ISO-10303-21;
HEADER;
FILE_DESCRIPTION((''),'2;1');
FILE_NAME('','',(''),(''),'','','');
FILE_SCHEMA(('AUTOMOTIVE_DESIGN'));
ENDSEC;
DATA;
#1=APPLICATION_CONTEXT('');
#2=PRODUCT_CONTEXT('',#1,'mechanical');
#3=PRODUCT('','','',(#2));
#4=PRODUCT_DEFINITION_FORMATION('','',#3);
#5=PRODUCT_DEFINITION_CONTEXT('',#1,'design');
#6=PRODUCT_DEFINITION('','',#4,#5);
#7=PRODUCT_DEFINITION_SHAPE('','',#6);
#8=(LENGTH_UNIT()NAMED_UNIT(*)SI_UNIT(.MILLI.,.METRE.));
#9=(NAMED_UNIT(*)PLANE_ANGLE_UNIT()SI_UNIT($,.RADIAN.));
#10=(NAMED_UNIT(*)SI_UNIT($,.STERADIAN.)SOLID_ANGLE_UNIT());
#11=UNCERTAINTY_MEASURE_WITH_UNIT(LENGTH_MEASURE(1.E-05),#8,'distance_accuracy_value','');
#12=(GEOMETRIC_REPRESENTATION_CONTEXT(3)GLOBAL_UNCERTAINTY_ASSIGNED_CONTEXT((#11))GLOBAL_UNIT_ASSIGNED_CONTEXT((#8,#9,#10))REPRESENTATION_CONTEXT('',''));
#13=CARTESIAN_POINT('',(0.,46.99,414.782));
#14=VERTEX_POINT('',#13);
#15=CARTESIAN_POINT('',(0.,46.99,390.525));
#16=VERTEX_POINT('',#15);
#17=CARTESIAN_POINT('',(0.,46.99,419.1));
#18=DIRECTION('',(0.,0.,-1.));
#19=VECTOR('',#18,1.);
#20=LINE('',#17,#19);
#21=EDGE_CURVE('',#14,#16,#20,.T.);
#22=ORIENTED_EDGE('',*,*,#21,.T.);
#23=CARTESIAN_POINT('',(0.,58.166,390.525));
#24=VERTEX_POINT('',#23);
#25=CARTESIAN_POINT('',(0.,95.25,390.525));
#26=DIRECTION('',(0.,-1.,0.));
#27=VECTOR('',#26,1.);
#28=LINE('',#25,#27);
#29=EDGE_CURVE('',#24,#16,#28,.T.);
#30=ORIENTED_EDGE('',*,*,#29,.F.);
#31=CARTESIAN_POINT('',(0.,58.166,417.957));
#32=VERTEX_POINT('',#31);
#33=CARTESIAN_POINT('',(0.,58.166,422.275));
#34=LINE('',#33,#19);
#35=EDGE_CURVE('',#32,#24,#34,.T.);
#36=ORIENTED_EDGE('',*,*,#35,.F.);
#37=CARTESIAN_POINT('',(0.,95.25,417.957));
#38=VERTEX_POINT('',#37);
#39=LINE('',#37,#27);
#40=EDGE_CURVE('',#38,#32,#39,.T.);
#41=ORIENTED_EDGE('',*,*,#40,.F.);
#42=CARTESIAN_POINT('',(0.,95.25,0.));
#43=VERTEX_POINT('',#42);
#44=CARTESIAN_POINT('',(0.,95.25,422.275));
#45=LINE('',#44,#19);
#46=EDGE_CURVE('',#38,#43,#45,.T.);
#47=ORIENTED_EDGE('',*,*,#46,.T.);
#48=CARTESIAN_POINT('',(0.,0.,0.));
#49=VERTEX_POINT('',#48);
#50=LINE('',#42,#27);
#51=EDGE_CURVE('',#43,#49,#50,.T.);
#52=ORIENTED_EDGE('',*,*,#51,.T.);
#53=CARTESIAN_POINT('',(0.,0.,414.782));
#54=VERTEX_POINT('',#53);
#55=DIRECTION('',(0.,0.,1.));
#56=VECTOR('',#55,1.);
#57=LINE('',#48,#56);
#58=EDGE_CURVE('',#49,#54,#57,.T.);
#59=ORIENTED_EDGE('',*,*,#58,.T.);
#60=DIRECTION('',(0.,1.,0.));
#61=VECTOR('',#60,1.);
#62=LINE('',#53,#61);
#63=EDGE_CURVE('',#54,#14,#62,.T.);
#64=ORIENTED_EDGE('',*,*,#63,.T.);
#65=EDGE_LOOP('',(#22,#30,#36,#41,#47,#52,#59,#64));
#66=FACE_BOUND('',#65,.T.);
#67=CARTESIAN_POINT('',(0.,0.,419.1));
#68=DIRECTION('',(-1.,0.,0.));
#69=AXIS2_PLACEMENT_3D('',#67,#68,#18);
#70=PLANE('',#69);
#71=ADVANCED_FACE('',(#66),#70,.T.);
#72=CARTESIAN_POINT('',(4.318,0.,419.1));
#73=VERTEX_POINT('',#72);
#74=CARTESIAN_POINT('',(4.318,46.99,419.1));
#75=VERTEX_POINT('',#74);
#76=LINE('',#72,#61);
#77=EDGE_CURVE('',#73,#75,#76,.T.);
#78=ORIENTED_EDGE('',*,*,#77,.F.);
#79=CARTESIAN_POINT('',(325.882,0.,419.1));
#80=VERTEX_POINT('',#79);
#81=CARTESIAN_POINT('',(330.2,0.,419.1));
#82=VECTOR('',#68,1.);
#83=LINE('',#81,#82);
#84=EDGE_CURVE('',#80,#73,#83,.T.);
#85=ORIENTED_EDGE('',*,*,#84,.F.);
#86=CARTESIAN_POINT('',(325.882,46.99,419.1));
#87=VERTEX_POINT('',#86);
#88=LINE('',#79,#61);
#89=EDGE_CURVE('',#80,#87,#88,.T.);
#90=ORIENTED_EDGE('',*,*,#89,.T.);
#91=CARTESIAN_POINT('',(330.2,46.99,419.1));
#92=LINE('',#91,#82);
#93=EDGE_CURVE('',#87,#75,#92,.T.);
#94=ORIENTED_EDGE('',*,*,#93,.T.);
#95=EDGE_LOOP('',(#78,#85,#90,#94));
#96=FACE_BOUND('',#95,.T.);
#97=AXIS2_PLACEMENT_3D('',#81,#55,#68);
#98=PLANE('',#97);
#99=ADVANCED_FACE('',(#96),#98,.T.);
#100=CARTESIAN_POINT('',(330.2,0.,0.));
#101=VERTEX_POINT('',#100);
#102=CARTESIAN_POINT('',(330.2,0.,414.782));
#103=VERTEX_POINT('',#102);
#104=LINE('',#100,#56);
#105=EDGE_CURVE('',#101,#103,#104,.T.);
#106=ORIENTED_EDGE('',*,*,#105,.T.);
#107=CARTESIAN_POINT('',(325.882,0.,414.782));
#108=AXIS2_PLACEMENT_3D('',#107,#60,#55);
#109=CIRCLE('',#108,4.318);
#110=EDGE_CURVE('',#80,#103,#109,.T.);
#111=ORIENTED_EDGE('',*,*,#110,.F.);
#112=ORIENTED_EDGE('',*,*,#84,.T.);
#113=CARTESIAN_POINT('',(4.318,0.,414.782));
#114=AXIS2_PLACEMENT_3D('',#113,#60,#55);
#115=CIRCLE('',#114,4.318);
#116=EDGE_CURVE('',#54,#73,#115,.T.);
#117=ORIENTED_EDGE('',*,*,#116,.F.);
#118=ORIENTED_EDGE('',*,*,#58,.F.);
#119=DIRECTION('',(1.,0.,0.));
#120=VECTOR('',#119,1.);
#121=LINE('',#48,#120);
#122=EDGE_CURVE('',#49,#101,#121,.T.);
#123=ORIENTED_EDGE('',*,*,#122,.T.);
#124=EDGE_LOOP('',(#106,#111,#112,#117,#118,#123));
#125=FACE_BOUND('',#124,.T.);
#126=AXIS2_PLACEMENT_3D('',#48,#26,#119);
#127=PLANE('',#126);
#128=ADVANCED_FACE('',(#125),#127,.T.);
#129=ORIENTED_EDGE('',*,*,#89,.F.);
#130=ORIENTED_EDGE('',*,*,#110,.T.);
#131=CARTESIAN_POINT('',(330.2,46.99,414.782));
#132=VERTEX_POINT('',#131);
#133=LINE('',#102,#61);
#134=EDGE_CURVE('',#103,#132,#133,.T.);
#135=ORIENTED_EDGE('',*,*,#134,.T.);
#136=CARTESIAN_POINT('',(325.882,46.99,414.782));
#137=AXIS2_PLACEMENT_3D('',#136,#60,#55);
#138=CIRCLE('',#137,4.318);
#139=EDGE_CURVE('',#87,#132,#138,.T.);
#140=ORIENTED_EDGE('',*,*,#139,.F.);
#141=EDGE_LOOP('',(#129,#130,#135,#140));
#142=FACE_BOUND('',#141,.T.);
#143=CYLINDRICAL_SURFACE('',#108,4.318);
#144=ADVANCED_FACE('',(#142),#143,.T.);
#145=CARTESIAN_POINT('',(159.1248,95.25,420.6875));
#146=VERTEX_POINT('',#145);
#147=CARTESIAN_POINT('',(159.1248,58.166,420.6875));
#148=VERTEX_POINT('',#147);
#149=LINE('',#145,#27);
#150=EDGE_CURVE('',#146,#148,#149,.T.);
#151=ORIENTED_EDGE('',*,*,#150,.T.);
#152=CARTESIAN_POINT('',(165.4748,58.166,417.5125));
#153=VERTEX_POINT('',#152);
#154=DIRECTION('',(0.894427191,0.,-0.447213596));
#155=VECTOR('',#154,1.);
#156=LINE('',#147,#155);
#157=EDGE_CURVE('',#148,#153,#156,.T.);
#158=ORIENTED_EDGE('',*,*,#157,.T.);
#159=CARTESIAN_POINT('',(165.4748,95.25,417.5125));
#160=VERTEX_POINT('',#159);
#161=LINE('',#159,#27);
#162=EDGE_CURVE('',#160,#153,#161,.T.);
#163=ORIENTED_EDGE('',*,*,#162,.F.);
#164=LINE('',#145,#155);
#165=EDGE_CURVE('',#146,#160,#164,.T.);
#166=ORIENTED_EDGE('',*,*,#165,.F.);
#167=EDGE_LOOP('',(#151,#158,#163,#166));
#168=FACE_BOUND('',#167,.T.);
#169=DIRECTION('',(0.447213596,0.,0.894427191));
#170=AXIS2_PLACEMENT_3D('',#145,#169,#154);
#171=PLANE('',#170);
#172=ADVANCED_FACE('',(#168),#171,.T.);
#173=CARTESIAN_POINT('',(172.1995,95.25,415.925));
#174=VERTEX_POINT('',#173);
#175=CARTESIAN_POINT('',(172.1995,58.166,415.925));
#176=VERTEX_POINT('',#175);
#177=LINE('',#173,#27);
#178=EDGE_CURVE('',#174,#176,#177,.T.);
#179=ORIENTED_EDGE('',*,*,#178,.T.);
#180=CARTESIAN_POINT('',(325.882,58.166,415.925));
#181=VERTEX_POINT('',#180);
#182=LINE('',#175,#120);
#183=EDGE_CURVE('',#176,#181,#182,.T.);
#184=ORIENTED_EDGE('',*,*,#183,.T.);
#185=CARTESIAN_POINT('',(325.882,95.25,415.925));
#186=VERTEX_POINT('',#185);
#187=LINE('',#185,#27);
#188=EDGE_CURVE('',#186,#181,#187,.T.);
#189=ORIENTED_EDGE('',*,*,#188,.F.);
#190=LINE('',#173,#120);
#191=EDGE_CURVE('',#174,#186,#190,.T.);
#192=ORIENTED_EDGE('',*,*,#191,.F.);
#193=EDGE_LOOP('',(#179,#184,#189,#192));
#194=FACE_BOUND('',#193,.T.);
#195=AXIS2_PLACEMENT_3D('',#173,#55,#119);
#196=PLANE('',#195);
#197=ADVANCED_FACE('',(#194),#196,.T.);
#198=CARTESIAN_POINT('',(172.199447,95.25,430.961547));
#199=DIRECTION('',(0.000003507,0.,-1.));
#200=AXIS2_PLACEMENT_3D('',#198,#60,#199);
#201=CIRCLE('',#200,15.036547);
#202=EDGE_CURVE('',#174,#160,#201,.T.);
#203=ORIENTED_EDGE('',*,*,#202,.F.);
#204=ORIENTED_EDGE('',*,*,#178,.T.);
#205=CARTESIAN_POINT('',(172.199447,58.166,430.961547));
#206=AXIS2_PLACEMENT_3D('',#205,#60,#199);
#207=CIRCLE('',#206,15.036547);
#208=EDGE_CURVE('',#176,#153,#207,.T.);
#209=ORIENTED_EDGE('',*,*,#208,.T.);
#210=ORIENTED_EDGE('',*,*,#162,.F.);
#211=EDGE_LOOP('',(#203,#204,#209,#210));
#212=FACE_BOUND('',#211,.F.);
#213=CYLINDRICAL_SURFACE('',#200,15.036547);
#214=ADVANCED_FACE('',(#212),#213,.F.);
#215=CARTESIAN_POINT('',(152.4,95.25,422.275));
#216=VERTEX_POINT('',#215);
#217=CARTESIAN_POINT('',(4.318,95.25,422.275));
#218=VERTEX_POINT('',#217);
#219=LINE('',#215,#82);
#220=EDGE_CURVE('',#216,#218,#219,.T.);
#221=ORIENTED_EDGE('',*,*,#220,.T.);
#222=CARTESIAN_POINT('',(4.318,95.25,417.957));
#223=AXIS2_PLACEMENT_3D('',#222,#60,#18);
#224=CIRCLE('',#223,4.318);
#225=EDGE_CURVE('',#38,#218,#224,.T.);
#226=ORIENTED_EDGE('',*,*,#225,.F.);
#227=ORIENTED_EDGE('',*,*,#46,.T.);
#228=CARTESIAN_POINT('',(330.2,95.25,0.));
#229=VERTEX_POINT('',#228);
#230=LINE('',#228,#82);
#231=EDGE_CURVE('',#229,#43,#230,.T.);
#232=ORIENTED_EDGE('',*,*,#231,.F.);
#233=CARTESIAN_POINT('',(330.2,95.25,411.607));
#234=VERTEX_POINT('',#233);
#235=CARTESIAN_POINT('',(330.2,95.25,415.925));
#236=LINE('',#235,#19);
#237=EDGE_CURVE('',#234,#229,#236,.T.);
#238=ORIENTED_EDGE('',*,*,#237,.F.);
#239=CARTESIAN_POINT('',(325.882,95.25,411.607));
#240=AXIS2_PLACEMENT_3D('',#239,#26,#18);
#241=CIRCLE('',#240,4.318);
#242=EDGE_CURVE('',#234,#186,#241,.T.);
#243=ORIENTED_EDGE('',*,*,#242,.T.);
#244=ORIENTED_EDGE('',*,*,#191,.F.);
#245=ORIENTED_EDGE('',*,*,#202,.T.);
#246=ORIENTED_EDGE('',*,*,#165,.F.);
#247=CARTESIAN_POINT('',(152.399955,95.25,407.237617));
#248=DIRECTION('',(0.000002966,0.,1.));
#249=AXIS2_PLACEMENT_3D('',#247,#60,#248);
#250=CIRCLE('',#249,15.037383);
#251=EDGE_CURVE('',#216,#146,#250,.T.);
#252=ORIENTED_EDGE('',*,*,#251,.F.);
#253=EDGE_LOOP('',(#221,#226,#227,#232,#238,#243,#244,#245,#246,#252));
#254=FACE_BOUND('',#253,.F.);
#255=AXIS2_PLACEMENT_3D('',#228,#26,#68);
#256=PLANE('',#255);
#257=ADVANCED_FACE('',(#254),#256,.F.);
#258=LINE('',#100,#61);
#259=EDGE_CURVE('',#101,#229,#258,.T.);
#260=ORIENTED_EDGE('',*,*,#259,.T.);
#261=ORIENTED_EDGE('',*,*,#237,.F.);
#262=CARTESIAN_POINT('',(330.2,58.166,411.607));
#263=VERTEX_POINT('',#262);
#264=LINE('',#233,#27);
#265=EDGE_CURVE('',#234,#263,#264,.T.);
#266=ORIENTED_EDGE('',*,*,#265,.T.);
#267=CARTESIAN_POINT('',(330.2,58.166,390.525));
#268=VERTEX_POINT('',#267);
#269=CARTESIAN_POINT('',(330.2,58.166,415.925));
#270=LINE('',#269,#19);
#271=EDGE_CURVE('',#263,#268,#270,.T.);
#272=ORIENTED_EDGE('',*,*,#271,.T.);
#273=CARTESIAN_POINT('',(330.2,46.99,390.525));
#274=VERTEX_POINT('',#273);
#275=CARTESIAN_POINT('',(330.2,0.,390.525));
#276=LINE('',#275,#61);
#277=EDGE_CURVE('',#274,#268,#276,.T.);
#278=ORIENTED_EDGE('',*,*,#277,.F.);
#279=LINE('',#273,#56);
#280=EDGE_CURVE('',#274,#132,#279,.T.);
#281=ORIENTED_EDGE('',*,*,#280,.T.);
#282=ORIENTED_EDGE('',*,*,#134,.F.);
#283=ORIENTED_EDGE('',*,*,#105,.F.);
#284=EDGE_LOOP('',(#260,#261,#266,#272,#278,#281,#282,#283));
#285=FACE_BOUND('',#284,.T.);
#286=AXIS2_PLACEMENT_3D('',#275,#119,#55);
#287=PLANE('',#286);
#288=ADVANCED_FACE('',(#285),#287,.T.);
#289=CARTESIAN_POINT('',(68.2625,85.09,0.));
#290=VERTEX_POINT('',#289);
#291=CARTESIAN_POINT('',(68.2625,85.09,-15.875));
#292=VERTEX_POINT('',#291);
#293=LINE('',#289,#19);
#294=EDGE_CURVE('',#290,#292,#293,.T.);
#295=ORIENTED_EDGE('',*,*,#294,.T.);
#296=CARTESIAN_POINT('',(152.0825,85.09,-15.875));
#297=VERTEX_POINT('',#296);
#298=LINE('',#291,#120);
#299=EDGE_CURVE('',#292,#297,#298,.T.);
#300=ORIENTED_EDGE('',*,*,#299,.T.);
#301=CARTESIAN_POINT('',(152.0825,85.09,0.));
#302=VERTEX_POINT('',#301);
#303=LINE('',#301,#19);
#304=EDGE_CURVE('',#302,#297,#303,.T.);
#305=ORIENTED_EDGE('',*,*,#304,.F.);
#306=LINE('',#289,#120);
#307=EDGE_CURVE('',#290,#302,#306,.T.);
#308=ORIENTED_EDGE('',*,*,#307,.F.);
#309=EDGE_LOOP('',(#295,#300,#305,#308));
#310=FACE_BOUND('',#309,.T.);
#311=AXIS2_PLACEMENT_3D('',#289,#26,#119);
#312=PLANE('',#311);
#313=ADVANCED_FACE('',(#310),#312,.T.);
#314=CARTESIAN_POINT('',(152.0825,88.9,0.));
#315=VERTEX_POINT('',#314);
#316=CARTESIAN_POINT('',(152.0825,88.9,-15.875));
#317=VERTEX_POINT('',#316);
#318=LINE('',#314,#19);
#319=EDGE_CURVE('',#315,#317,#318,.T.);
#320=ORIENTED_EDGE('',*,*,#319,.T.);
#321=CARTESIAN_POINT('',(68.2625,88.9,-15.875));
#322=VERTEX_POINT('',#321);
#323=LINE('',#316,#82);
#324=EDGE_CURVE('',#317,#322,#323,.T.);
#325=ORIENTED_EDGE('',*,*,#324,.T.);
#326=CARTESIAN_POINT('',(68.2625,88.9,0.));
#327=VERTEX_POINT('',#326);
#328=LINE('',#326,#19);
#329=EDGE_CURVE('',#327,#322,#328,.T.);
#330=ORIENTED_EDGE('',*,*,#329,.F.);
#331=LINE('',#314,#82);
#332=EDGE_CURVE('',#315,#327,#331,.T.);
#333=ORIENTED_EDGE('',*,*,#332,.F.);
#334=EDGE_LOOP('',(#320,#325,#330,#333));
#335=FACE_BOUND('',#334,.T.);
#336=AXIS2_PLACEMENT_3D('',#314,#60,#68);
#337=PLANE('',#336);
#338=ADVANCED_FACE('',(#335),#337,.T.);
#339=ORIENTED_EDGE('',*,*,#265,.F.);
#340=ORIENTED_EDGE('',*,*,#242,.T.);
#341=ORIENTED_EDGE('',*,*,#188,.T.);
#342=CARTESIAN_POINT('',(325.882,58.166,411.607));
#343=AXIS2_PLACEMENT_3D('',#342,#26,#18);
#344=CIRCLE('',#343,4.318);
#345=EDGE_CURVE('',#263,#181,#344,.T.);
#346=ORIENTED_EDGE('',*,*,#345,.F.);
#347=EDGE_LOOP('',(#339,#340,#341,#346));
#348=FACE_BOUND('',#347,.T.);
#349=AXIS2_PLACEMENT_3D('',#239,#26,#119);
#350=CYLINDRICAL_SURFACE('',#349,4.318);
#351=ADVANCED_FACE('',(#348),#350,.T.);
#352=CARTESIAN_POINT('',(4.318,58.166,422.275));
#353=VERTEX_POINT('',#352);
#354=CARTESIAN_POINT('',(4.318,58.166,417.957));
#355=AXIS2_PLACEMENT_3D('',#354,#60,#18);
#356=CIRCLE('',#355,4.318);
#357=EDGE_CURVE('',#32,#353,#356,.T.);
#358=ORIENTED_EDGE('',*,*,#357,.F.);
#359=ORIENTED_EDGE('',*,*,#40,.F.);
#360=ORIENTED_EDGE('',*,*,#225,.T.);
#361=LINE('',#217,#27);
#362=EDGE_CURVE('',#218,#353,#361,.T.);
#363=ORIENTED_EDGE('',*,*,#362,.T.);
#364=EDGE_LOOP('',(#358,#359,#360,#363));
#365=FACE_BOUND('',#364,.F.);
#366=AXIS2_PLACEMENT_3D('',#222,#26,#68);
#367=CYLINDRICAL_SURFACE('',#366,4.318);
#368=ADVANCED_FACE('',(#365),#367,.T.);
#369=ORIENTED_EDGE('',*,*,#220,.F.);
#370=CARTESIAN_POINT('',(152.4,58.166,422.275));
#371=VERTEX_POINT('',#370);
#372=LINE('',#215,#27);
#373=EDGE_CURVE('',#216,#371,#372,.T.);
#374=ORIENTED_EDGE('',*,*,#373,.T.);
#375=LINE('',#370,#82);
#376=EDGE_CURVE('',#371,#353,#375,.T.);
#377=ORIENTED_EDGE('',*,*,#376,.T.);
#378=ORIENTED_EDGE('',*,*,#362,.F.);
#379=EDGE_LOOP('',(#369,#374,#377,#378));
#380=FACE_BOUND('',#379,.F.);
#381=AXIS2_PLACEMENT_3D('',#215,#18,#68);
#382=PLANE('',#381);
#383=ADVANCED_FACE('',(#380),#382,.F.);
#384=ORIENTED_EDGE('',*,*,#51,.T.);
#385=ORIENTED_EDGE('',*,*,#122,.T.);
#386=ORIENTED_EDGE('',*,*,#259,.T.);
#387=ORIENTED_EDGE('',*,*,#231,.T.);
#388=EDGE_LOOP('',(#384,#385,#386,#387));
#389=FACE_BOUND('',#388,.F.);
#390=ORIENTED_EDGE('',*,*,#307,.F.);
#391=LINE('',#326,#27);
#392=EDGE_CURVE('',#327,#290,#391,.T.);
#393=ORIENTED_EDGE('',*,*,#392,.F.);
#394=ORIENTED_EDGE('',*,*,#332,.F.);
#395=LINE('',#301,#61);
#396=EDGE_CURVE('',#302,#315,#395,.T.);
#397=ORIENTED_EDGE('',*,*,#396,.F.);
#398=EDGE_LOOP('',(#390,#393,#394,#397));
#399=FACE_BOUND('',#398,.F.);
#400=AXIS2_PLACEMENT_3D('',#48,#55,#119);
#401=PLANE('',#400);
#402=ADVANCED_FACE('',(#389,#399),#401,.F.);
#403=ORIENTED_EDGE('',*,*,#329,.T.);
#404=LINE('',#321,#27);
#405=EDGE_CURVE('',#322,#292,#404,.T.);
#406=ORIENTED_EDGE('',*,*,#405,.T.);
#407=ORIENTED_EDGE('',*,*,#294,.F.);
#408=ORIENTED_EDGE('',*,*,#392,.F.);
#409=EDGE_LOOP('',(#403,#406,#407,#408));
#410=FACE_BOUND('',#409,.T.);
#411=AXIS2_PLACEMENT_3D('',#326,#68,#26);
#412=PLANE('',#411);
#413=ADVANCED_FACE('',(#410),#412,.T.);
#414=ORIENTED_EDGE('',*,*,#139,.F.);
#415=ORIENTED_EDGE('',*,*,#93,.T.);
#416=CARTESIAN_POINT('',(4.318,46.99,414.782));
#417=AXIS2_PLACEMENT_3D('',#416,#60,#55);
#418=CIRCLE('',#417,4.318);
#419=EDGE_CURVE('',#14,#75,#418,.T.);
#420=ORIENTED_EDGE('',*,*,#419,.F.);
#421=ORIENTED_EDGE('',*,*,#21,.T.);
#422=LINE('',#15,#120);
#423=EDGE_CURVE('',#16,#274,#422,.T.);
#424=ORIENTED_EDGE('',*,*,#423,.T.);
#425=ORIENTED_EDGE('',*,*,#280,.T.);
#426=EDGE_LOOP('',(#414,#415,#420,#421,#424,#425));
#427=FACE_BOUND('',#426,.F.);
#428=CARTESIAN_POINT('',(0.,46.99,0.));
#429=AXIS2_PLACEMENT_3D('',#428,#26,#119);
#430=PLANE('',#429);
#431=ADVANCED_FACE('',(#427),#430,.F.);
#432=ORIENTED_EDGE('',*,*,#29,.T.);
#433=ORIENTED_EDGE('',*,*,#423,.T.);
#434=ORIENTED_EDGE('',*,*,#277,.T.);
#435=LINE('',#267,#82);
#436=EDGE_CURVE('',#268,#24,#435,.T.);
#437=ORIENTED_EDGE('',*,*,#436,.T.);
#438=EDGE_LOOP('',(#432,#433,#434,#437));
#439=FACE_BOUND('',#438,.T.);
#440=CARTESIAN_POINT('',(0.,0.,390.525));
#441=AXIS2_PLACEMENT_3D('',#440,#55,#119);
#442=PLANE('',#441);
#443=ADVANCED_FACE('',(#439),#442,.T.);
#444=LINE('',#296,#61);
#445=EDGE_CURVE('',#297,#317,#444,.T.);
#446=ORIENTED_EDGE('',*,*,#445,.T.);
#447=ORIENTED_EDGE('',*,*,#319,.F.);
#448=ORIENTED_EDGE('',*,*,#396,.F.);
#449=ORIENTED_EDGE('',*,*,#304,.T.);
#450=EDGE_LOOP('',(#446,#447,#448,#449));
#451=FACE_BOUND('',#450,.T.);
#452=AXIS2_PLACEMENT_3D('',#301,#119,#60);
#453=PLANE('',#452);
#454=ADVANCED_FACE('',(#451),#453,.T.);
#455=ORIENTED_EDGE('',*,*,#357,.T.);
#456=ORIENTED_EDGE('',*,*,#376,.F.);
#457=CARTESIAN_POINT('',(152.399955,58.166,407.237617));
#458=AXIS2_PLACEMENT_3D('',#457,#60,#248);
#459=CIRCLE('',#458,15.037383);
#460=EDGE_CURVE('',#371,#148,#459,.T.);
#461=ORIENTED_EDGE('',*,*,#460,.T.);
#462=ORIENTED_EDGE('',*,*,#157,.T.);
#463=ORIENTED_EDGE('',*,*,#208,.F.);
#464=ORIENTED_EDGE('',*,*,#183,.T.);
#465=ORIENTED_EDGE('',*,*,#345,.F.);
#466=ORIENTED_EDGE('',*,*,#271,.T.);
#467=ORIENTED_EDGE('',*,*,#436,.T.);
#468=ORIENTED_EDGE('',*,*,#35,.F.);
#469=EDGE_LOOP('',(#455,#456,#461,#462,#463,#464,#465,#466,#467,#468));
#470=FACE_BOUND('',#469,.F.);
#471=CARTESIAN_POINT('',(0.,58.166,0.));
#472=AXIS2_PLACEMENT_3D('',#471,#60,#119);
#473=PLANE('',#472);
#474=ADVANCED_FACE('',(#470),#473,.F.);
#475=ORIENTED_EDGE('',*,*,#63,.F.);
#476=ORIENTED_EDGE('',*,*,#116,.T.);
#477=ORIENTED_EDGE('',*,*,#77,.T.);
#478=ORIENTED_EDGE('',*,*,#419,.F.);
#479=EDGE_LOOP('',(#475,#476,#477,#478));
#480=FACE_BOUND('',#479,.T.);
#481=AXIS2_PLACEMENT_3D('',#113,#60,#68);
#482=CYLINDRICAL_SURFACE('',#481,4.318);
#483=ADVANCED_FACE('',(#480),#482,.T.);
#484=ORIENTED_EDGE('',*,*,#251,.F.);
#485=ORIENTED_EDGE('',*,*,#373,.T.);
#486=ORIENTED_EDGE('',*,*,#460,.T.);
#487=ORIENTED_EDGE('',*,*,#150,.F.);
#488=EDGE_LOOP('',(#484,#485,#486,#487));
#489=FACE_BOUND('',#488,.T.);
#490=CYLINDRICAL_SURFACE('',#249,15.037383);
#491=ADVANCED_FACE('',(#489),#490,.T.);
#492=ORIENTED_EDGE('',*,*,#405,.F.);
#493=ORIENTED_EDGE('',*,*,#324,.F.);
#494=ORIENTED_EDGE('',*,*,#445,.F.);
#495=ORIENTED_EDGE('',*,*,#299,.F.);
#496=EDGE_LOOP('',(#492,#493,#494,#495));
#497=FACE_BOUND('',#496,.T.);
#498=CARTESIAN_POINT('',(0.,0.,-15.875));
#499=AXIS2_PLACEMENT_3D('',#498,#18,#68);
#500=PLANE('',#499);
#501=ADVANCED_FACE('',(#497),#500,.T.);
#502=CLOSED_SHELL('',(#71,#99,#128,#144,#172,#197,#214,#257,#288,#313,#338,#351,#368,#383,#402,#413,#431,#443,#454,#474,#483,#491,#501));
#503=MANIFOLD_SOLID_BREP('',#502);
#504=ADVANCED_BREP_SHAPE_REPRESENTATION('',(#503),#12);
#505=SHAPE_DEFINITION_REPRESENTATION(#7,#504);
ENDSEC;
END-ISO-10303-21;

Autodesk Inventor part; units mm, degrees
ref_plane "YZ Plane" through (0, 0, 0) normal (1, 0, 0) x (0, 1, 0)
ref_plane "XZ Plane" through (0, 0, 0) normal (0, 1, 0) x (-1, 0, 0)
ref_plane "XY Plane" through (0, 0, 0) normal (0, 0, 1) x (1, 0, 0)
sketch "Sketch1" plane through (0, 0, 0) normal (0, 0, 1) x (1, 0, 0)
  line L0 (0, 0) -> (330.2, 0)
  line L1 (330.2, 0) -> (330.2, 95.25)
  line L2 (330.2, 95.25) -> (0, 95.25)
  line L3 (0, 95.25) -> (0, 0)
  dimension "d0" = 95.25
  dimension "d1" = 330.2
extrude "Extrusion1" add sketch "Sketch1" along normal blind 390.525
sketch "Sketch2" plane through (0, 95.25, 0) normal (0, 1, 0) x (1, 0, 0)
  line L0 (330.2, 0) -> (330.2, -390.525) projected
  line L1 (0, 0) -> (0, -390.525) projected
  line L2 (172.1995, -415.925) -> (330.2, -415.925)
  line L3 (330.2, -415.925) -> (330.2, -390.525)
  line L4 (152.4, -422.275) -> (0, -422.275)
  line L5 (0, -422.275) -> (0, -390.525)
  line L6 (159.1248, -420.6875) -> (165.4748, -417.5125)
  arc A0 (172.1995, -415.925) -> (165.4748, -417.5125) centre (172.1995, -430.962) ccw
  arc A1 (152.4, -422.275) -> (159.1248, -420.6875) centre (152.4, -407.238) ccw
  line L7 (330.2, -390.525) -> (0, -390.525)
  dimension "d4" = 25.4
  dimension "d6" = 152.4
  dimension "d7" = 6.35
  dimension "d8" = 3.175
  dimension "d9" = 31.75
  dimension "d10" = 158.0005
extrude "Extrusion2" add sketch "Sketch2" against normal blind 37.084
sketch "Sketch3" plane through (0, 0, 0) normal (0, -1, 0) x (1, 0, 0)
  line L0 (330.2, 0) -> (330.2, 390.525) projected
  line L1 (0, 390.525) -> (330.2, 390.525)
  line L2 (330.2, 390.525) -> (330.2, 419.1)
  line L3 (330.2, 419.1) -> (0, 419.1)
  line L4 (0, 419.1) -> (0, 390.525)
  dimension "d13" = 28.575
extrude "Extrusion3" add sketch "Sketch3" against normal blind 46.99
fillet "Fillet1" radius 4.318 4 edges at (330.2, 76.708, 415.925) (0, 76.708, 422.275) (0, 23.495, 419.1) (330.2, 23.495, 419.1)
sketch "Sketch4" plane through (0, 0, 0) normal (0, 0, -1) x (-1, 0, 0)
  line L0 (0, 95.25) -> (0, 0) projected
  line L1 (-330.2, 95.25) -> (0, 95.25) projected
  line L2 (-152.0825, 88.9) -> (-68.2625, 88.9)
  line L3 (-68.2625, 88.9) -> (-68.2625, 85.09)
  line L4 (-68.2625, 85.09) -> (-152.0825, 85.09)
  line L5 (-152.0825, 85.09) -> (-152.0825, 88.9)
  dimension "d17" = 68.2625
  dimension "d18" = 6.35
  dimension "d19" = 83.82
  dimension "d20" = 3.81
extrude "Extrusion4" add sketch "Sketch4" along normal blind 15.875
properties part number "PC"
